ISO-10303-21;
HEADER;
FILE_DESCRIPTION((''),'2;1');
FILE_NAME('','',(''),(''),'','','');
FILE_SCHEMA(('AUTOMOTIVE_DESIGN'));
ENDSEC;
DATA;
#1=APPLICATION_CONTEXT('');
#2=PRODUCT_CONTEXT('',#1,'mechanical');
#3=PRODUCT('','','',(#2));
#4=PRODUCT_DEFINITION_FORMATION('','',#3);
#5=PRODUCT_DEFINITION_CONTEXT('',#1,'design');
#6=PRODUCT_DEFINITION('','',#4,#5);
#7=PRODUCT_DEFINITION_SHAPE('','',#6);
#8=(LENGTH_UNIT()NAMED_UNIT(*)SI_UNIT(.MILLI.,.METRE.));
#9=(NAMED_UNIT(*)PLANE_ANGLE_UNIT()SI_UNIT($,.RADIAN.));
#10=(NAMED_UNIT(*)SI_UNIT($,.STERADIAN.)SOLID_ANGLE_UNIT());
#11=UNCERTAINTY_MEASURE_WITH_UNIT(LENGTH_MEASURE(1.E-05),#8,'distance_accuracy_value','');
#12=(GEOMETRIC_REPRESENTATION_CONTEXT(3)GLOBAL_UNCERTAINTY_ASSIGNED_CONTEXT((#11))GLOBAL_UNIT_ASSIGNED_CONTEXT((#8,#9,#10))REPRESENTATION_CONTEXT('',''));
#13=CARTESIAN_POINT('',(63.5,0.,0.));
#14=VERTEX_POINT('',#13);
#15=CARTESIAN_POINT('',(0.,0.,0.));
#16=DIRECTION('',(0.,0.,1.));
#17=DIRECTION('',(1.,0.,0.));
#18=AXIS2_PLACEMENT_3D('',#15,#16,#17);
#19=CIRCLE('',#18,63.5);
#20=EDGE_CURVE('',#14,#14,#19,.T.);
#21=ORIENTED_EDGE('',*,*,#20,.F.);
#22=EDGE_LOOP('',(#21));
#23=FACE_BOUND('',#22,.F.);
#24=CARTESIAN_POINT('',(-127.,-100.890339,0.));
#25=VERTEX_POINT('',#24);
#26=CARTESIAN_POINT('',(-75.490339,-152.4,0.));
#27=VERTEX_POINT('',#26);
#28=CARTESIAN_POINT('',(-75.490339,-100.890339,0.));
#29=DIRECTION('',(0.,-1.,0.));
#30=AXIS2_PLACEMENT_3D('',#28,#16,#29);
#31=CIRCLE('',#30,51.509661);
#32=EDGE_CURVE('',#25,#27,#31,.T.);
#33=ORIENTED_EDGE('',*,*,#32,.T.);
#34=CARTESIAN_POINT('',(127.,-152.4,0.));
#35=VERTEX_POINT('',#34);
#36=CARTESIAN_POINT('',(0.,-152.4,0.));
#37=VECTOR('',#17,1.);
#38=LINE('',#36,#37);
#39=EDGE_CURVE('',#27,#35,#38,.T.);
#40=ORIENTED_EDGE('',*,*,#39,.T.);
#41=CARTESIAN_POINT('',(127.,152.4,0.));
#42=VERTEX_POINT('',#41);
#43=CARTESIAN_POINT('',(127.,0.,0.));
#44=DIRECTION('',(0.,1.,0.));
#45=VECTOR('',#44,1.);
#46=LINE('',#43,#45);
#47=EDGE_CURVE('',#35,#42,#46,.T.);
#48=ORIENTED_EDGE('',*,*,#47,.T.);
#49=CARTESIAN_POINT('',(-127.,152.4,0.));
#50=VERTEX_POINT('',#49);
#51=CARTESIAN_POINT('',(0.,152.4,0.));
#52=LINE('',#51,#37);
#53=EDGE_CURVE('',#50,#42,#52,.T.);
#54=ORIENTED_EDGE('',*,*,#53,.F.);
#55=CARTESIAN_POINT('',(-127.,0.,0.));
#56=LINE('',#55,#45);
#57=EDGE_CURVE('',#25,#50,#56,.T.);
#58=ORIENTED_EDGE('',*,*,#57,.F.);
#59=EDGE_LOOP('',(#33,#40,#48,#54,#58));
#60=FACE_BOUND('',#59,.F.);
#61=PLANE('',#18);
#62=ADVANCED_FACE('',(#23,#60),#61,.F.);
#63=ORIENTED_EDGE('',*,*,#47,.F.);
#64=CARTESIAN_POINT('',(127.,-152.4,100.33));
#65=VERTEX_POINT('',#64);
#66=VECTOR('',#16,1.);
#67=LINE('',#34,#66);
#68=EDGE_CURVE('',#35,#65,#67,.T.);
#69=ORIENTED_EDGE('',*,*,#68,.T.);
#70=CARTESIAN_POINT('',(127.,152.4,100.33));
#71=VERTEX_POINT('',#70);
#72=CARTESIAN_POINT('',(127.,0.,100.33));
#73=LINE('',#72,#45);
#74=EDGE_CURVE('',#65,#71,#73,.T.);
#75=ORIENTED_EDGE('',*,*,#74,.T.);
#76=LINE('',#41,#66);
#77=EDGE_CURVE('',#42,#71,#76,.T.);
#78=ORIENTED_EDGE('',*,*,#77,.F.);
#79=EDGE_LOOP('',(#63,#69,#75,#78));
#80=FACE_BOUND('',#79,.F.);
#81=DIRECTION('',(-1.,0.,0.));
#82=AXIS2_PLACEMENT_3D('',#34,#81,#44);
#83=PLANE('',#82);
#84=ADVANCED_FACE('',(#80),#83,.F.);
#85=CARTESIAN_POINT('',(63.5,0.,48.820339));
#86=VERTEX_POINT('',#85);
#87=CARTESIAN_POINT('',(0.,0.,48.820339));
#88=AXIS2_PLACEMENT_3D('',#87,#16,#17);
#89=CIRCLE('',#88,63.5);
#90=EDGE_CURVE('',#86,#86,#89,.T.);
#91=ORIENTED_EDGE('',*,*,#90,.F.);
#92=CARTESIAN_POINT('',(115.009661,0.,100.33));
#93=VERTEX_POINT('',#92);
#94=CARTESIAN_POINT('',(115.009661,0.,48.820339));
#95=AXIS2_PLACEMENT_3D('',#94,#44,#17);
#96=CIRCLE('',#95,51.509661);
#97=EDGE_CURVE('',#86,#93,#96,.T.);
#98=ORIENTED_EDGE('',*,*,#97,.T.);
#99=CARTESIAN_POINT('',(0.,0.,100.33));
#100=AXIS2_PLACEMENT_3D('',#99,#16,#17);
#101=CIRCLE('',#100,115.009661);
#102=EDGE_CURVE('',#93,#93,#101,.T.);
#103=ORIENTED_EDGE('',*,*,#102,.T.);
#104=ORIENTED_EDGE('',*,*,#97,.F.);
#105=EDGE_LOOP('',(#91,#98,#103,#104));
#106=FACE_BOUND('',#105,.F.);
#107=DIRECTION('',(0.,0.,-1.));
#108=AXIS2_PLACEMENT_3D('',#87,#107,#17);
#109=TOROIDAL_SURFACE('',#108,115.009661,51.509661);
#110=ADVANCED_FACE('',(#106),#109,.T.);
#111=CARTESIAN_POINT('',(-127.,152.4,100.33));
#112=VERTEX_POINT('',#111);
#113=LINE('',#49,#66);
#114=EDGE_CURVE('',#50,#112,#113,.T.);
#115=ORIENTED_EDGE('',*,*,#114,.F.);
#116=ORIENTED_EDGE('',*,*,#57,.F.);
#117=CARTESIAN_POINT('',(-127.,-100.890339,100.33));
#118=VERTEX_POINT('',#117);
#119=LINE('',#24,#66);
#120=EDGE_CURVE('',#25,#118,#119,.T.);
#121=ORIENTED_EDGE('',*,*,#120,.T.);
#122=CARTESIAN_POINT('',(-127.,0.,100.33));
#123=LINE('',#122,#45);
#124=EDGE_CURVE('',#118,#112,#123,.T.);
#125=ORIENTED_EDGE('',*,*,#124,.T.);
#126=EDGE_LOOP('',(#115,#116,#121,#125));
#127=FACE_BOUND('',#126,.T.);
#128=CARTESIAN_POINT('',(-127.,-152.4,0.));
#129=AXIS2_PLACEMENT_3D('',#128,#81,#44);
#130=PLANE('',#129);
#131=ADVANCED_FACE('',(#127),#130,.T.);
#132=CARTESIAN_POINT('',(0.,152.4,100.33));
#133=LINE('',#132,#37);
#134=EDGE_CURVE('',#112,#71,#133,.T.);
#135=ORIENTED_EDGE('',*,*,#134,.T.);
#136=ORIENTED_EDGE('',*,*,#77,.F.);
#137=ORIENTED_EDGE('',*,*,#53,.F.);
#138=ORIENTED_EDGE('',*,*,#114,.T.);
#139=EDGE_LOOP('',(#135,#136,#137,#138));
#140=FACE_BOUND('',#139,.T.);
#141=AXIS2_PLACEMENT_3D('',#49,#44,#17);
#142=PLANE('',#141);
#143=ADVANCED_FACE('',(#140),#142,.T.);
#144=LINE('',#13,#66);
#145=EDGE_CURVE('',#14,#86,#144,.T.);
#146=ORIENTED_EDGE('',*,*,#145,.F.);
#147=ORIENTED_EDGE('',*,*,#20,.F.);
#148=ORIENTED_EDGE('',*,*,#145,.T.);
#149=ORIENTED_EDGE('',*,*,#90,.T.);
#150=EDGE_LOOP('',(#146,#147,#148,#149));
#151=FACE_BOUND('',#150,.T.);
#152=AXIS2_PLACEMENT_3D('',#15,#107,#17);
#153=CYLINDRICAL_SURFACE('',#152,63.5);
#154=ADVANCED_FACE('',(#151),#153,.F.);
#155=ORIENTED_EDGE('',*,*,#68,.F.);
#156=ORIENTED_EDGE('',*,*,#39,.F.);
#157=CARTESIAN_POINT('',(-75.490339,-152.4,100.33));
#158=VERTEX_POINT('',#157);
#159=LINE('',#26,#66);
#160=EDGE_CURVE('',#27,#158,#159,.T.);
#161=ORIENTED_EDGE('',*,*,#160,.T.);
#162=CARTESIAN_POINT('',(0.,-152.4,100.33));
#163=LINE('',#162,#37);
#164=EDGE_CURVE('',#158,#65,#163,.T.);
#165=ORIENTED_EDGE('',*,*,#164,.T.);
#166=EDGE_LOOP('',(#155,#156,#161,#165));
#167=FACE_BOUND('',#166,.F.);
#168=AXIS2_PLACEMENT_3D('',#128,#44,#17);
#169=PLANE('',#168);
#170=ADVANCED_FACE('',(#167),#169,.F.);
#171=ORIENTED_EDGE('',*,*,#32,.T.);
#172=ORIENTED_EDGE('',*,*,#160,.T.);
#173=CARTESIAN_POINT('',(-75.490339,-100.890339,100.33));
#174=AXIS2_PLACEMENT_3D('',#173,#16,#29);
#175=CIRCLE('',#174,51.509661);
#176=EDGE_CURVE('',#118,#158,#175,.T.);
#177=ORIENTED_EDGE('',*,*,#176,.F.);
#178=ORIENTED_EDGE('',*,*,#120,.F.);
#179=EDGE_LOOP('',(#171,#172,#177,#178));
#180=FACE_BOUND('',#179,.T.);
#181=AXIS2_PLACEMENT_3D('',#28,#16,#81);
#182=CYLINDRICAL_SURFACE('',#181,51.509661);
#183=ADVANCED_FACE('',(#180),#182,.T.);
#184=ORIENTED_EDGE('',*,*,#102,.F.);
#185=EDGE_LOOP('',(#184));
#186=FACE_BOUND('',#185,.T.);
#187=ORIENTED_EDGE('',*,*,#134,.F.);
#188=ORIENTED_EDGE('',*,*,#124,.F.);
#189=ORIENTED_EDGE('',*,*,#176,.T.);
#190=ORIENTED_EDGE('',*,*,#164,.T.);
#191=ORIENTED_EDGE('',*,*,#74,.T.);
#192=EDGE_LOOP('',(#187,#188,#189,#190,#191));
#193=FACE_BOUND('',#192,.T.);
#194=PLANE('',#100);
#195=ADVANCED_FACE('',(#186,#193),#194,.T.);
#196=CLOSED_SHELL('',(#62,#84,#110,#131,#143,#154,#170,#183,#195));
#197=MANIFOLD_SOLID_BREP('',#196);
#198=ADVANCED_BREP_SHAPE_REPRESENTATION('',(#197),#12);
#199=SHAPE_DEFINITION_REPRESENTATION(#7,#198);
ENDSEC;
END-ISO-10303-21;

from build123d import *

# Parameters (mm, degrees)
F0_W     = 254
F0_H     = 304.8
F0_R     = 63.5
F1_DEPTH = 100.33
F2_R     = 51.509661


with BuildPart() as f1:
    # F0 (on Top) → F1 (new body)
    with BuildSketch(Plane.XY):
        Rectangle(F0_W, F0_H)
        Circle(F0_R, mode=Mode.SUBTRACT)
    extrude(amount=F1_DEPTH)

    # F2
    f2_edges = [f1.edges().sort_by_distance(p)[0] for p in [
        (-127, -152.4, 50.165),
        (-63.5, 0, 100.33),
    ]]
    fillet(f2_edges, radius=F2_R)


solid = f1.part
